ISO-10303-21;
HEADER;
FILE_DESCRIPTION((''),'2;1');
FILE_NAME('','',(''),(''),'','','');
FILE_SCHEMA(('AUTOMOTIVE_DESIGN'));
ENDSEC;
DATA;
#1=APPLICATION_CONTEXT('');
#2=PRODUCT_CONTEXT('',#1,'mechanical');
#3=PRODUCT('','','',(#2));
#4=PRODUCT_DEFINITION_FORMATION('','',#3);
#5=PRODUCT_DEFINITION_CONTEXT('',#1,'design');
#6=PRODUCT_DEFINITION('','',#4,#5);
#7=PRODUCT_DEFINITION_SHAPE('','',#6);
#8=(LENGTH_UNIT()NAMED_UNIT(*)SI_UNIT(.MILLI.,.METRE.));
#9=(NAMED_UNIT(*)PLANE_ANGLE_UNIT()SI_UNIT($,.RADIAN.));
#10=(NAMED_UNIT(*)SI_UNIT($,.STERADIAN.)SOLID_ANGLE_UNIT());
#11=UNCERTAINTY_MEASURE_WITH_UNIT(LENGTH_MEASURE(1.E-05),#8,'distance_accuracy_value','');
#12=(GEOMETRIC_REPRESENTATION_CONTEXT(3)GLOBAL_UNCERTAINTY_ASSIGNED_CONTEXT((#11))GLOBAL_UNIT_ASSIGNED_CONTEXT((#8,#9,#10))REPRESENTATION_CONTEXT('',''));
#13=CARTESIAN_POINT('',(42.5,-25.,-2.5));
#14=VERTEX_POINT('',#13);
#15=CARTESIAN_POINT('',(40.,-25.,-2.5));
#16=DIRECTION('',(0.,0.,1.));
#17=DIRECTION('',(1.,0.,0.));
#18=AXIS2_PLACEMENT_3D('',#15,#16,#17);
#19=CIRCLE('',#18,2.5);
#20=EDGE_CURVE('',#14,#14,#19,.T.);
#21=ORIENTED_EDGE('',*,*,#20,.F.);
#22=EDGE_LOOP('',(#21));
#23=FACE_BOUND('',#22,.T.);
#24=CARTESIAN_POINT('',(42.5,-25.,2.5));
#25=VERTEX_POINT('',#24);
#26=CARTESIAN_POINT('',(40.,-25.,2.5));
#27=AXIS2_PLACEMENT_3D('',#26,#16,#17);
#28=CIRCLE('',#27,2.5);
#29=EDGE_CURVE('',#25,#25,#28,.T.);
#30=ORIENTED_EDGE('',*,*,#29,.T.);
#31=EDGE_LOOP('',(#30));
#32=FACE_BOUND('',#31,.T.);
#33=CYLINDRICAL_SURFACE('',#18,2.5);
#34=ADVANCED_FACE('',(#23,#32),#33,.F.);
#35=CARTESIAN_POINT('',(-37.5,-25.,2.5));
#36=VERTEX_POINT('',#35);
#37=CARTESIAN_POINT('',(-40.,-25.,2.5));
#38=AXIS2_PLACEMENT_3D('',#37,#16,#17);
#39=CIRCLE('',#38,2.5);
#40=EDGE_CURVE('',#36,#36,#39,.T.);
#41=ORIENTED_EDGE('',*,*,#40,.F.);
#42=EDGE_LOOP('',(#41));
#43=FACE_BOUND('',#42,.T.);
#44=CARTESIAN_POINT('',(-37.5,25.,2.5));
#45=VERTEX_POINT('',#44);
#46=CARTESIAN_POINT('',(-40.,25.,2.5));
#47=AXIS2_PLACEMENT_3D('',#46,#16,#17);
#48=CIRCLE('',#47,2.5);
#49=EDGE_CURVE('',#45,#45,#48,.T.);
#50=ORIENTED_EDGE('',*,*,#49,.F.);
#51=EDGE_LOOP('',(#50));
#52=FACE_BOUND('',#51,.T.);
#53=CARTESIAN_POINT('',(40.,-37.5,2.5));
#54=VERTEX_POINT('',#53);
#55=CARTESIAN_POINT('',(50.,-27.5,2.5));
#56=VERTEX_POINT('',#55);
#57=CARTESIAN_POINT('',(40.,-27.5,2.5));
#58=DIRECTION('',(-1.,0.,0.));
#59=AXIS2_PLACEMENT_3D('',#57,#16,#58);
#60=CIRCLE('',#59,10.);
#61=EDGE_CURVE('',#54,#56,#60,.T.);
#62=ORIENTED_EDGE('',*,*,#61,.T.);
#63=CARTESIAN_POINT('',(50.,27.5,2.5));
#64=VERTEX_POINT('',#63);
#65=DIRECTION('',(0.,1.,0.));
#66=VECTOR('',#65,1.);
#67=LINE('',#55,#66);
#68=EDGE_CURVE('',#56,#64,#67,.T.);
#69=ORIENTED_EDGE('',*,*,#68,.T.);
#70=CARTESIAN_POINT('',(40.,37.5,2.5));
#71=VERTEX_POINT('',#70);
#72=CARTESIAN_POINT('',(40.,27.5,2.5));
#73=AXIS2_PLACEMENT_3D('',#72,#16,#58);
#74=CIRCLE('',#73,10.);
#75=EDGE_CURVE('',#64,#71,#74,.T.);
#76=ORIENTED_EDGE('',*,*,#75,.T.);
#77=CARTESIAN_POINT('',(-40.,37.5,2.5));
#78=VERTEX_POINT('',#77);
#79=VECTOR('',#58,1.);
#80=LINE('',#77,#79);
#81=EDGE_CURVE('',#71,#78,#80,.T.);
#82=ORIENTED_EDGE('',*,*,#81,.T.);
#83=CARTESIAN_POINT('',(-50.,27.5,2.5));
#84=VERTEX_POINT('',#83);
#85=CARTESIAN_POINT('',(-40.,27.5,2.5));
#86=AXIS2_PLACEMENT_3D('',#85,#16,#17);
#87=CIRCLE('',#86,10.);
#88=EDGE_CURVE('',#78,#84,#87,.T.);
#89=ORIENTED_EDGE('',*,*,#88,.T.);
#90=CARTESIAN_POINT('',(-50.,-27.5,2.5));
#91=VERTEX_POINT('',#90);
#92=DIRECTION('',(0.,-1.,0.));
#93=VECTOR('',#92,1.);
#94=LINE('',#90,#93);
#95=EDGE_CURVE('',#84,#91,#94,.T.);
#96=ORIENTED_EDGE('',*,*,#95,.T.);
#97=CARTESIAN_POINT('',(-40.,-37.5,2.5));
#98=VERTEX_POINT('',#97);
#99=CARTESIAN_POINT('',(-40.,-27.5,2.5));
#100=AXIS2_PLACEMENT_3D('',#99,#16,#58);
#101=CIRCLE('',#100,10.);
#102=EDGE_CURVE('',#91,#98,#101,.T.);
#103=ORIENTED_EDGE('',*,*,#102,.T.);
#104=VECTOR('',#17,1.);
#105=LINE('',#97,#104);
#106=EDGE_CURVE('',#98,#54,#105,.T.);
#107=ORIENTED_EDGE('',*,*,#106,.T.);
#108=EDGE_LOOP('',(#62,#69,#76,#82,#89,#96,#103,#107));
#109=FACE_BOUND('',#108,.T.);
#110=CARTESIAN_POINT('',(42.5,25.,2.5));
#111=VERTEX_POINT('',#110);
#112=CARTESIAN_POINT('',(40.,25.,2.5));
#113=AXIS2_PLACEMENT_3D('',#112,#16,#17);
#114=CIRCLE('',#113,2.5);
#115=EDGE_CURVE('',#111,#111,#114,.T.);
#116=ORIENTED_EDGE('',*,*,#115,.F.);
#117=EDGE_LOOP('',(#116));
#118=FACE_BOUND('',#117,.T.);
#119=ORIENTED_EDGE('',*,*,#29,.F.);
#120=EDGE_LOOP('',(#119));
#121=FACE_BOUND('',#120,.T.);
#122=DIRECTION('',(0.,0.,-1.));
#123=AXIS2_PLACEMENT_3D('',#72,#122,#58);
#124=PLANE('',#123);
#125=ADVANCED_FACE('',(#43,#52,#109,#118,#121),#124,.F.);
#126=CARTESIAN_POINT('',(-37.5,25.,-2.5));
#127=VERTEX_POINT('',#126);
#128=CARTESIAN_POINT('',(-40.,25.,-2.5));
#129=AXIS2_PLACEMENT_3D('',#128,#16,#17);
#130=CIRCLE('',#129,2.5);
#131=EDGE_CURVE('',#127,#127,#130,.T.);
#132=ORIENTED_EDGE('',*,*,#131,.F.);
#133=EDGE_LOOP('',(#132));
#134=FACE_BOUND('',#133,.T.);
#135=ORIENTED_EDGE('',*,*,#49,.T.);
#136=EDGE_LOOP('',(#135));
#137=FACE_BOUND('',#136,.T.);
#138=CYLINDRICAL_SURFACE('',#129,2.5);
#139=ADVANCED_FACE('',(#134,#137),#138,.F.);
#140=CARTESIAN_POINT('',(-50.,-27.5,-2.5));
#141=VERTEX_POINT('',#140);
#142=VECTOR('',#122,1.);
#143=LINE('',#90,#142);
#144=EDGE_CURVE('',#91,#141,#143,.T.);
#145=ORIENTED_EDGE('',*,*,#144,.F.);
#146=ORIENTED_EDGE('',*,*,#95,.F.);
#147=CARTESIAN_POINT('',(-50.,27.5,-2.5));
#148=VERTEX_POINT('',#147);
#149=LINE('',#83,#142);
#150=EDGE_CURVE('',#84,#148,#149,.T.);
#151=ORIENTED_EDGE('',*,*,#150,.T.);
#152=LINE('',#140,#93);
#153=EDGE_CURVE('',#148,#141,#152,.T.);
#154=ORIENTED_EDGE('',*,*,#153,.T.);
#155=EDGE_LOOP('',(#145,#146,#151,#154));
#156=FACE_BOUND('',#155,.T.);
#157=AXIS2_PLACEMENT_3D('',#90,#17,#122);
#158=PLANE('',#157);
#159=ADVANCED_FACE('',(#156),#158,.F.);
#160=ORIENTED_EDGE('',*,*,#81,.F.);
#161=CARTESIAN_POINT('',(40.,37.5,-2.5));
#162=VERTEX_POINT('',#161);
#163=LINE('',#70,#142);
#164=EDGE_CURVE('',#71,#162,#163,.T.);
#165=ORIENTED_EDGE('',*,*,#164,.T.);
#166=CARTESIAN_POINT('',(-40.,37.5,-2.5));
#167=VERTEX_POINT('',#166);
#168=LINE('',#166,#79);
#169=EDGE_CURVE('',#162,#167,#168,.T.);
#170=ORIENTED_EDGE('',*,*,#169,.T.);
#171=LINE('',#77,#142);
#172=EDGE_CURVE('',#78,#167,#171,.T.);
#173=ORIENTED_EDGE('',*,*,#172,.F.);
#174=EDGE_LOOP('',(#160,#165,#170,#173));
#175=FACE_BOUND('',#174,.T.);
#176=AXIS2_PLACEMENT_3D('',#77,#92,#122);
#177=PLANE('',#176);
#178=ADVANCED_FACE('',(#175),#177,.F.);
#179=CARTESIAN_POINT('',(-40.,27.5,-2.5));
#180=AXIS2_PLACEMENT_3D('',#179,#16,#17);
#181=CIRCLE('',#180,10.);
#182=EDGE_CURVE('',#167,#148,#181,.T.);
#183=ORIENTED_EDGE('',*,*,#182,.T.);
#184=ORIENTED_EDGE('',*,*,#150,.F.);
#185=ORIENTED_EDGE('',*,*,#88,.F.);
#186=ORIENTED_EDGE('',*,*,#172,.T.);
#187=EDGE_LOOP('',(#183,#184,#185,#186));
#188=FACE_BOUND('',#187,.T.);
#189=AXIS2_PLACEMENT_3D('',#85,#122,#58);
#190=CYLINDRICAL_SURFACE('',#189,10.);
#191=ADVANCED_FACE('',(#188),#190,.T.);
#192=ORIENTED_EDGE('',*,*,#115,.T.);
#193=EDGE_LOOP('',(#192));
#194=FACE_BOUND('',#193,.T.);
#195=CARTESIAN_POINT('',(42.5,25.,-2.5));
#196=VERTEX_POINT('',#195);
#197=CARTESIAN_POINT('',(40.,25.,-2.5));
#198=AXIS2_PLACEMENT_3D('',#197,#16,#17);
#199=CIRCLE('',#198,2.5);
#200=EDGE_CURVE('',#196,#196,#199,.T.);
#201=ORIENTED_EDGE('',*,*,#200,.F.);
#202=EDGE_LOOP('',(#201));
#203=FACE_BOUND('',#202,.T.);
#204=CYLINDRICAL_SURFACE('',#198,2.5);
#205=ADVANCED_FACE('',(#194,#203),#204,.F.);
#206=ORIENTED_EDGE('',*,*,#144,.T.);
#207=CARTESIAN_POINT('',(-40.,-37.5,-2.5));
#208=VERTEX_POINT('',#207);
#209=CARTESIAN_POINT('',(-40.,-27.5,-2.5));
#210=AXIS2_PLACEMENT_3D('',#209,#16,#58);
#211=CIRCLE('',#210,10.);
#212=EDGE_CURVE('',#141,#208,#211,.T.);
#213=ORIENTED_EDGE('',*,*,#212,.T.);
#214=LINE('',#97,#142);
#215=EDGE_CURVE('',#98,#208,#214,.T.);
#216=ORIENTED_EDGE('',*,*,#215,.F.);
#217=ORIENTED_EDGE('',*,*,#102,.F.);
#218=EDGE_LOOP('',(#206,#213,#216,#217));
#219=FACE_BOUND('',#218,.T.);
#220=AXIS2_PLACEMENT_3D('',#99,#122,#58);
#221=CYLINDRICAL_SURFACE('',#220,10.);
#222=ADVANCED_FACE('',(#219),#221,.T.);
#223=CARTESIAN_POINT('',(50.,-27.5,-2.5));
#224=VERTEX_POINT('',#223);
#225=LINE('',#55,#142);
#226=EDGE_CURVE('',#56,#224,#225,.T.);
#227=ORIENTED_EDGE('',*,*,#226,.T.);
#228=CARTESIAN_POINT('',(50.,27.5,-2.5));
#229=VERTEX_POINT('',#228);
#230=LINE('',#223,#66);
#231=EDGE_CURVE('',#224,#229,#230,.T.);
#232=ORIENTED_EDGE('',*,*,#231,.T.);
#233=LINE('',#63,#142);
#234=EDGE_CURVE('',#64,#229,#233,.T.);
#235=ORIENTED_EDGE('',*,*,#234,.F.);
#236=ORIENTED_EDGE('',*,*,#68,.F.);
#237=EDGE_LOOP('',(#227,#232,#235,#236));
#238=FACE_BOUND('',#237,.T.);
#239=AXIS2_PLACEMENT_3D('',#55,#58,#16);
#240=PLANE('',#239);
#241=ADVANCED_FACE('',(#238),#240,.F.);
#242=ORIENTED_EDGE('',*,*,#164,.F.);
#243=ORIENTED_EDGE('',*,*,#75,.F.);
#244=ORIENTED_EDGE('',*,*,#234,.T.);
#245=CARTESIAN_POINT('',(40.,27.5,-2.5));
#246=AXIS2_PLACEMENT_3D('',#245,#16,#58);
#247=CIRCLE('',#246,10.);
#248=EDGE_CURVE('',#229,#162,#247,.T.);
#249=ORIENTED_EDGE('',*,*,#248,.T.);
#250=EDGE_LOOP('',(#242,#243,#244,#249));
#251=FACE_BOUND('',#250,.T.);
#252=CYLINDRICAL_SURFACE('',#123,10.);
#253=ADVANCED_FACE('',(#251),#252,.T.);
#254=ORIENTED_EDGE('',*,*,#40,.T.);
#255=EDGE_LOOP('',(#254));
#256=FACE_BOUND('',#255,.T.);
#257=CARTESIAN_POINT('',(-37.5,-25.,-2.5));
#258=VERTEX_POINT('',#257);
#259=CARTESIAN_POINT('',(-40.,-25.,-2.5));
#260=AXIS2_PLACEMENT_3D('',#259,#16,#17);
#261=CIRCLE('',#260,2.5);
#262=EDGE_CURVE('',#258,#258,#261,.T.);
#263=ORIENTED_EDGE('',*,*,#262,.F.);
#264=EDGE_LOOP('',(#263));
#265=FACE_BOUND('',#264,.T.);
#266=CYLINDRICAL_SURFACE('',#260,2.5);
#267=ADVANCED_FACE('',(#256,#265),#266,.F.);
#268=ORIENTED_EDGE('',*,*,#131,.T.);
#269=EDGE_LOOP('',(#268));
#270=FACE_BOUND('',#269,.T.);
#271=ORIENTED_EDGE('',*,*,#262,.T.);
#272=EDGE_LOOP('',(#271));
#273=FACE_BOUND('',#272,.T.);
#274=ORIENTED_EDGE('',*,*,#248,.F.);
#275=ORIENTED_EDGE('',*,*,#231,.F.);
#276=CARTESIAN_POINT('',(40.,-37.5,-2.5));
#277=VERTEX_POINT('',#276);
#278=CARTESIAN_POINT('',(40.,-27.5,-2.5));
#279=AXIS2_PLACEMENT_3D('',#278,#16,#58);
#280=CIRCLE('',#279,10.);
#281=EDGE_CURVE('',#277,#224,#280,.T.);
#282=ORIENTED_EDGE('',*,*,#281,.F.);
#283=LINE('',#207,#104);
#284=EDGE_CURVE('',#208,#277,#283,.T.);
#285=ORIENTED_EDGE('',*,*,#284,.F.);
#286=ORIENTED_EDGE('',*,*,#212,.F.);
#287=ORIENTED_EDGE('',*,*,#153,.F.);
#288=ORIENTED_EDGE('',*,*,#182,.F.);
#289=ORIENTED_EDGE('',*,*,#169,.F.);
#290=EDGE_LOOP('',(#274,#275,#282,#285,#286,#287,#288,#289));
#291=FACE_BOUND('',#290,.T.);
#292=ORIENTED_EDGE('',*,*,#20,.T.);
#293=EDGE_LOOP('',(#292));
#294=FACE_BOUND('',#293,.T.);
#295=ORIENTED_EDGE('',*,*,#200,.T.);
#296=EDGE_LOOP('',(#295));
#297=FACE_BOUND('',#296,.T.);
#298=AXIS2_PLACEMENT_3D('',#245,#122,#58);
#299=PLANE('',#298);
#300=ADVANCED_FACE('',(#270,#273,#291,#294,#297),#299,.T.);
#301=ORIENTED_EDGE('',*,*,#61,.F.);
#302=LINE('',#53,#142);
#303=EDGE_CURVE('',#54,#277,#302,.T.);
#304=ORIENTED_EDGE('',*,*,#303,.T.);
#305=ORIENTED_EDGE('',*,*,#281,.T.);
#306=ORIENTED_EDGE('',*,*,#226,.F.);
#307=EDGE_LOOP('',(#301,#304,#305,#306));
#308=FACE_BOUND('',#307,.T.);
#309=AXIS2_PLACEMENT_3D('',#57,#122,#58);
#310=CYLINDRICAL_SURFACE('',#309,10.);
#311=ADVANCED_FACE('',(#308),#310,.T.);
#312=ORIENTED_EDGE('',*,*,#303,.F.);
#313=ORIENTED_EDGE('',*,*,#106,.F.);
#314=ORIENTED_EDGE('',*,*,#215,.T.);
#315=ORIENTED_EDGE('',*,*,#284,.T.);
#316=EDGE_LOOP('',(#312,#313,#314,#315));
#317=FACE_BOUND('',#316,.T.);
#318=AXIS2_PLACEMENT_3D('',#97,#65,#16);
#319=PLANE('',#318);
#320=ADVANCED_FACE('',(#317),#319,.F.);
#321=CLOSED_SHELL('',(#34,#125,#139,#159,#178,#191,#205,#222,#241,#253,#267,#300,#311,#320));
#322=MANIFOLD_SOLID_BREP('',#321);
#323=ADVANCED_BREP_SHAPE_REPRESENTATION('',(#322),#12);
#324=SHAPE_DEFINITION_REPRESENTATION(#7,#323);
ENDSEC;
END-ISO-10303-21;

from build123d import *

# Parameters (mm, degrees)
SKETCH1_R           = 12.5
BOSS_EXTRUDE1_DEPTH = 2.5
SKETCH2_R           = 2.5
CUT_EXTRUDE1_DEPTH  = 63.69968102
SKETCH5_R           = 12.5
BOSS_EXTRUDE2_DEPTH = 2.5


with BuildPart() as part:
    # Sketch1 → Boss-Extrude1 (new, symmetric)
    with BuildSketch(Plane.XY):
        with BuildLine():
            Line((-40, -37.5), (40, -37.5))
            ThreePointArc((40, -37.5), (47.071067812, -34.571067812), (50, -27.5))
            Line((50, -27.5), (50, 27.5))
            ThreePointArc((50, 27.5), (47.071067812, 34.571067812), (40, 37.5))
            Line((40, 37.5), (-40, 37.5))
            ThreePointArc((-40, 37.5), (-47.071067812, 34.571067812), (-50, 27.5))
            Line((-50, 27.5), (-50, -27.5))
            ThreePointArc((-50, -27.5), (-47.071067812, -34.571067812), (-40, -37.5))
        make_face()
        Circle(SKETCH1_R, mode=Mode.SUBTRACT)
    extrude(amount=BOSS_EXTRUDE1_DEPTH, both=True)

    # Sketch2 → Cut-Extrude1 (cut, through all)
    with BuildSketch(Plane.XY.offset(2.5)):
        with Locations((40, 25)):
            Circle(SKETCH2_R)
        with Locations((-40, 25)):
            Circle(SKETCH2_R)
        with Locations((-40, -25)):
            Circle(SKETCH2_R)
        with Locations((40, -25)):
            Circle(SKETCH2_R)
    extrude(amount=-CUT_EXTRUDE1_DEPTH, mode=Mode.SUBTRACT)

    # Sketch5 → Boss-Extrude2 (add, symmetric)
    with BuildSketch(Plane.XY):
        Circle(SKETCH5_R)
    extrude(amount=BOSS_EXTRUDE2_DEPTH, both=True)


solid = part.part
